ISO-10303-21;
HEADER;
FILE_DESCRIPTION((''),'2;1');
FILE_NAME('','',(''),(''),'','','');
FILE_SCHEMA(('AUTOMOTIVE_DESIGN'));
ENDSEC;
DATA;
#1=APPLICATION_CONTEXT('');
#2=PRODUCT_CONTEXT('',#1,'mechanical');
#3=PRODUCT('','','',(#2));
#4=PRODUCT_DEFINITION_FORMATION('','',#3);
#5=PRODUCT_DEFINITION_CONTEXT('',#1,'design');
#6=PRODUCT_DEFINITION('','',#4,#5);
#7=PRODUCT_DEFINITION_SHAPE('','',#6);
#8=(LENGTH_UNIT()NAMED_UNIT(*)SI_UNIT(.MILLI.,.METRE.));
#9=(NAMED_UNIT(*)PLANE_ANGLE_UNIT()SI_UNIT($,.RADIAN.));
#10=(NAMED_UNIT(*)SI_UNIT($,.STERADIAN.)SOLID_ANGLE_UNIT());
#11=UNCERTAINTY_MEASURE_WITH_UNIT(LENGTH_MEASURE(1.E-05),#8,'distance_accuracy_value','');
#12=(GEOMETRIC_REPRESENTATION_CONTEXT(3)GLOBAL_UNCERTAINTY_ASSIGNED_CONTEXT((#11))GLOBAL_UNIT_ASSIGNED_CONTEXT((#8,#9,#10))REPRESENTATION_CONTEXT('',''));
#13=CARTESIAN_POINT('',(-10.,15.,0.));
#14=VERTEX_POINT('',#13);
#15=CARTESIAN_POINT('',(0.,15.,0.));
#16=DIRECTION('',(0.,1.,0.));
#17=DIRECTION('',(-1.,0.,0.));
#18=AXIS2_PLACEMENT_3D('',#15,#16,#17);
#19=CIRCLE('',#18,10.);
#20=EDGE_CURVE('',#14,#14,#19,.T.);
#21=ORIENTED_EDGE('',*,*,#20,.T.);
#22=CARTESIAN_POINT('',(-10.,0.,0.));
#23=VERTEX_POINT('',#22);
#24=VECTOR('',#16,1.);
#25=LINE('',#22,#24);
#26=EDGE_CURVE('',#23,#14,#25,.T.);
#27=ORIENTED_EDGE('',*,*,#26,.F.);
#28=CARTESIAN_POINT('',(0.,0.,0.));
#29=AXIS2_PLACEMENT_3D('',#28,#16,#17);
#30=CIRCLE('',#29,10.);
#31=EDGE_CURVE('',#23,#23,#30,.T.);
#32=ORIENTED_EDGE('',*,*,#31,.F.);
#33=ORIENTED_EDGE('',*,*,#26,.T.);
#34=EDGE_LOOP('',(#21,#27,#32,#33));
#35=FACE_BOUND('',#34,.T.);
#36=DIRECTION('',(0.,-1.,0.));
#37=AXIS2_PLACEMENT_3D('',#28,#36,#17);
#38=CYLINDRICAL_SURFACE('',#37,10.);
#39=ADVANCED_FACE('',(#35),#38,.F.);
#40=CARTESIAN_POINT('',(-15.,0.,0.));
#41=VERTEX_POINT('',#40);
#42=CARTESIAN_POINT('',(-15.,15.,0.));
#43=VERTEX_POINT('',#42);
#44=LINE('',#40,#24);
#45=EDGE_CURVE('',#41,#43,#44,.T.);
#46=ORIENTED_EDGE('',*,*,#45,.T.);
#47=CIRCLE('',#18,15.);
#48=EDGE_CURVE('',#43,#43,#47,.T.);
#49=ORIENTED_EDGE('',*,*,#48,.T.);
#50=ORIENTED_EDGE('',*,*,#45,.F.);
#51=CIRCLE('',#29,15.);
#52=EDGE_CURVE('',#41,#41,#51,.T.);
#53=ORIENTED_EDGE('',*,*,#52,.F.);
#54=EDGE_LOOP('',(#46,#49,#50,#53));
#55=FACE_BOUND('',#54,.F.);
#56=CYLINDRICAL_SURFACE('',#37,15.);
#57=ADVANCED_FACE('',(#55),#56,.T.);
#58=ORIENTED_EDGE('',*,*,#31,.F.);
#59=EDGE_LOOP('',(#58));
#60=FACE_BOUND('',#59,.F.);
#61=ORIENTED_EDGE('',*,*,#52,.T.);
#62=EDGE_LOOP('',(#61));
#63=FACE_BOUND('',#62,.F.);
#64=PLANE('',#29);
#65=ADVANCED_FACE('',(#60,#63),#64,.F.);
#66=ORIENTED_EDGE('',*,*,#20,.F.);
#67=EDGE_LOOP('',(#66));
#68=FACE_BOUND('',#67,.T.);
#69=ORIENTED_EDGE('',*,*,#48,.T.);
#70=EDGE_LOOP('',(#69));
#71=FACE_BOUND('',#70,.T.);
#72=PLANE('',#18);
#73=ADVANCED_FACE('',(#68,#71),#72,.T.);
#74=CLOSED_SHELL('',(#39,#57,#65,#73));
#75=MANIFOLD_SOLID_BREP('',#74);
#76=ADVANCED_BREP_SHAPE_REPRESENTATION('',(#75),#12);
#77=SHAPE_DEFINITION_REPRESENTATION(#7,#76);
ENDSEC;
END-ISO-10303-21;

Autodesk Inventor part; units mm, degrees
ref_plane "YZ Plane" through (0, 0, 0) normal (1, 0, 0) x (0, 1, 0)
ref_plane "XZ Plane" through (0, 0, 0) normal (0, 1, 0) x (-1, 0, 0)
ref_plane "XY Plane" through (0, 0, 0) normal (0, 0, 1) x (1, 0, 0)
sketch "Эскиз1" plane through (0, 0, 0) normal (0, 1, 0) x (-1, 0, 0)
  circle A0 centre (0, 0) radius 15
  circle A1 centre (0, 0) radius 10
  dimension "d0" = 30
  dimension "d1" = 20
extrude "Выдавливание1" add sketch "Эскиз1" along normal blind 15
properties part number "шина"
